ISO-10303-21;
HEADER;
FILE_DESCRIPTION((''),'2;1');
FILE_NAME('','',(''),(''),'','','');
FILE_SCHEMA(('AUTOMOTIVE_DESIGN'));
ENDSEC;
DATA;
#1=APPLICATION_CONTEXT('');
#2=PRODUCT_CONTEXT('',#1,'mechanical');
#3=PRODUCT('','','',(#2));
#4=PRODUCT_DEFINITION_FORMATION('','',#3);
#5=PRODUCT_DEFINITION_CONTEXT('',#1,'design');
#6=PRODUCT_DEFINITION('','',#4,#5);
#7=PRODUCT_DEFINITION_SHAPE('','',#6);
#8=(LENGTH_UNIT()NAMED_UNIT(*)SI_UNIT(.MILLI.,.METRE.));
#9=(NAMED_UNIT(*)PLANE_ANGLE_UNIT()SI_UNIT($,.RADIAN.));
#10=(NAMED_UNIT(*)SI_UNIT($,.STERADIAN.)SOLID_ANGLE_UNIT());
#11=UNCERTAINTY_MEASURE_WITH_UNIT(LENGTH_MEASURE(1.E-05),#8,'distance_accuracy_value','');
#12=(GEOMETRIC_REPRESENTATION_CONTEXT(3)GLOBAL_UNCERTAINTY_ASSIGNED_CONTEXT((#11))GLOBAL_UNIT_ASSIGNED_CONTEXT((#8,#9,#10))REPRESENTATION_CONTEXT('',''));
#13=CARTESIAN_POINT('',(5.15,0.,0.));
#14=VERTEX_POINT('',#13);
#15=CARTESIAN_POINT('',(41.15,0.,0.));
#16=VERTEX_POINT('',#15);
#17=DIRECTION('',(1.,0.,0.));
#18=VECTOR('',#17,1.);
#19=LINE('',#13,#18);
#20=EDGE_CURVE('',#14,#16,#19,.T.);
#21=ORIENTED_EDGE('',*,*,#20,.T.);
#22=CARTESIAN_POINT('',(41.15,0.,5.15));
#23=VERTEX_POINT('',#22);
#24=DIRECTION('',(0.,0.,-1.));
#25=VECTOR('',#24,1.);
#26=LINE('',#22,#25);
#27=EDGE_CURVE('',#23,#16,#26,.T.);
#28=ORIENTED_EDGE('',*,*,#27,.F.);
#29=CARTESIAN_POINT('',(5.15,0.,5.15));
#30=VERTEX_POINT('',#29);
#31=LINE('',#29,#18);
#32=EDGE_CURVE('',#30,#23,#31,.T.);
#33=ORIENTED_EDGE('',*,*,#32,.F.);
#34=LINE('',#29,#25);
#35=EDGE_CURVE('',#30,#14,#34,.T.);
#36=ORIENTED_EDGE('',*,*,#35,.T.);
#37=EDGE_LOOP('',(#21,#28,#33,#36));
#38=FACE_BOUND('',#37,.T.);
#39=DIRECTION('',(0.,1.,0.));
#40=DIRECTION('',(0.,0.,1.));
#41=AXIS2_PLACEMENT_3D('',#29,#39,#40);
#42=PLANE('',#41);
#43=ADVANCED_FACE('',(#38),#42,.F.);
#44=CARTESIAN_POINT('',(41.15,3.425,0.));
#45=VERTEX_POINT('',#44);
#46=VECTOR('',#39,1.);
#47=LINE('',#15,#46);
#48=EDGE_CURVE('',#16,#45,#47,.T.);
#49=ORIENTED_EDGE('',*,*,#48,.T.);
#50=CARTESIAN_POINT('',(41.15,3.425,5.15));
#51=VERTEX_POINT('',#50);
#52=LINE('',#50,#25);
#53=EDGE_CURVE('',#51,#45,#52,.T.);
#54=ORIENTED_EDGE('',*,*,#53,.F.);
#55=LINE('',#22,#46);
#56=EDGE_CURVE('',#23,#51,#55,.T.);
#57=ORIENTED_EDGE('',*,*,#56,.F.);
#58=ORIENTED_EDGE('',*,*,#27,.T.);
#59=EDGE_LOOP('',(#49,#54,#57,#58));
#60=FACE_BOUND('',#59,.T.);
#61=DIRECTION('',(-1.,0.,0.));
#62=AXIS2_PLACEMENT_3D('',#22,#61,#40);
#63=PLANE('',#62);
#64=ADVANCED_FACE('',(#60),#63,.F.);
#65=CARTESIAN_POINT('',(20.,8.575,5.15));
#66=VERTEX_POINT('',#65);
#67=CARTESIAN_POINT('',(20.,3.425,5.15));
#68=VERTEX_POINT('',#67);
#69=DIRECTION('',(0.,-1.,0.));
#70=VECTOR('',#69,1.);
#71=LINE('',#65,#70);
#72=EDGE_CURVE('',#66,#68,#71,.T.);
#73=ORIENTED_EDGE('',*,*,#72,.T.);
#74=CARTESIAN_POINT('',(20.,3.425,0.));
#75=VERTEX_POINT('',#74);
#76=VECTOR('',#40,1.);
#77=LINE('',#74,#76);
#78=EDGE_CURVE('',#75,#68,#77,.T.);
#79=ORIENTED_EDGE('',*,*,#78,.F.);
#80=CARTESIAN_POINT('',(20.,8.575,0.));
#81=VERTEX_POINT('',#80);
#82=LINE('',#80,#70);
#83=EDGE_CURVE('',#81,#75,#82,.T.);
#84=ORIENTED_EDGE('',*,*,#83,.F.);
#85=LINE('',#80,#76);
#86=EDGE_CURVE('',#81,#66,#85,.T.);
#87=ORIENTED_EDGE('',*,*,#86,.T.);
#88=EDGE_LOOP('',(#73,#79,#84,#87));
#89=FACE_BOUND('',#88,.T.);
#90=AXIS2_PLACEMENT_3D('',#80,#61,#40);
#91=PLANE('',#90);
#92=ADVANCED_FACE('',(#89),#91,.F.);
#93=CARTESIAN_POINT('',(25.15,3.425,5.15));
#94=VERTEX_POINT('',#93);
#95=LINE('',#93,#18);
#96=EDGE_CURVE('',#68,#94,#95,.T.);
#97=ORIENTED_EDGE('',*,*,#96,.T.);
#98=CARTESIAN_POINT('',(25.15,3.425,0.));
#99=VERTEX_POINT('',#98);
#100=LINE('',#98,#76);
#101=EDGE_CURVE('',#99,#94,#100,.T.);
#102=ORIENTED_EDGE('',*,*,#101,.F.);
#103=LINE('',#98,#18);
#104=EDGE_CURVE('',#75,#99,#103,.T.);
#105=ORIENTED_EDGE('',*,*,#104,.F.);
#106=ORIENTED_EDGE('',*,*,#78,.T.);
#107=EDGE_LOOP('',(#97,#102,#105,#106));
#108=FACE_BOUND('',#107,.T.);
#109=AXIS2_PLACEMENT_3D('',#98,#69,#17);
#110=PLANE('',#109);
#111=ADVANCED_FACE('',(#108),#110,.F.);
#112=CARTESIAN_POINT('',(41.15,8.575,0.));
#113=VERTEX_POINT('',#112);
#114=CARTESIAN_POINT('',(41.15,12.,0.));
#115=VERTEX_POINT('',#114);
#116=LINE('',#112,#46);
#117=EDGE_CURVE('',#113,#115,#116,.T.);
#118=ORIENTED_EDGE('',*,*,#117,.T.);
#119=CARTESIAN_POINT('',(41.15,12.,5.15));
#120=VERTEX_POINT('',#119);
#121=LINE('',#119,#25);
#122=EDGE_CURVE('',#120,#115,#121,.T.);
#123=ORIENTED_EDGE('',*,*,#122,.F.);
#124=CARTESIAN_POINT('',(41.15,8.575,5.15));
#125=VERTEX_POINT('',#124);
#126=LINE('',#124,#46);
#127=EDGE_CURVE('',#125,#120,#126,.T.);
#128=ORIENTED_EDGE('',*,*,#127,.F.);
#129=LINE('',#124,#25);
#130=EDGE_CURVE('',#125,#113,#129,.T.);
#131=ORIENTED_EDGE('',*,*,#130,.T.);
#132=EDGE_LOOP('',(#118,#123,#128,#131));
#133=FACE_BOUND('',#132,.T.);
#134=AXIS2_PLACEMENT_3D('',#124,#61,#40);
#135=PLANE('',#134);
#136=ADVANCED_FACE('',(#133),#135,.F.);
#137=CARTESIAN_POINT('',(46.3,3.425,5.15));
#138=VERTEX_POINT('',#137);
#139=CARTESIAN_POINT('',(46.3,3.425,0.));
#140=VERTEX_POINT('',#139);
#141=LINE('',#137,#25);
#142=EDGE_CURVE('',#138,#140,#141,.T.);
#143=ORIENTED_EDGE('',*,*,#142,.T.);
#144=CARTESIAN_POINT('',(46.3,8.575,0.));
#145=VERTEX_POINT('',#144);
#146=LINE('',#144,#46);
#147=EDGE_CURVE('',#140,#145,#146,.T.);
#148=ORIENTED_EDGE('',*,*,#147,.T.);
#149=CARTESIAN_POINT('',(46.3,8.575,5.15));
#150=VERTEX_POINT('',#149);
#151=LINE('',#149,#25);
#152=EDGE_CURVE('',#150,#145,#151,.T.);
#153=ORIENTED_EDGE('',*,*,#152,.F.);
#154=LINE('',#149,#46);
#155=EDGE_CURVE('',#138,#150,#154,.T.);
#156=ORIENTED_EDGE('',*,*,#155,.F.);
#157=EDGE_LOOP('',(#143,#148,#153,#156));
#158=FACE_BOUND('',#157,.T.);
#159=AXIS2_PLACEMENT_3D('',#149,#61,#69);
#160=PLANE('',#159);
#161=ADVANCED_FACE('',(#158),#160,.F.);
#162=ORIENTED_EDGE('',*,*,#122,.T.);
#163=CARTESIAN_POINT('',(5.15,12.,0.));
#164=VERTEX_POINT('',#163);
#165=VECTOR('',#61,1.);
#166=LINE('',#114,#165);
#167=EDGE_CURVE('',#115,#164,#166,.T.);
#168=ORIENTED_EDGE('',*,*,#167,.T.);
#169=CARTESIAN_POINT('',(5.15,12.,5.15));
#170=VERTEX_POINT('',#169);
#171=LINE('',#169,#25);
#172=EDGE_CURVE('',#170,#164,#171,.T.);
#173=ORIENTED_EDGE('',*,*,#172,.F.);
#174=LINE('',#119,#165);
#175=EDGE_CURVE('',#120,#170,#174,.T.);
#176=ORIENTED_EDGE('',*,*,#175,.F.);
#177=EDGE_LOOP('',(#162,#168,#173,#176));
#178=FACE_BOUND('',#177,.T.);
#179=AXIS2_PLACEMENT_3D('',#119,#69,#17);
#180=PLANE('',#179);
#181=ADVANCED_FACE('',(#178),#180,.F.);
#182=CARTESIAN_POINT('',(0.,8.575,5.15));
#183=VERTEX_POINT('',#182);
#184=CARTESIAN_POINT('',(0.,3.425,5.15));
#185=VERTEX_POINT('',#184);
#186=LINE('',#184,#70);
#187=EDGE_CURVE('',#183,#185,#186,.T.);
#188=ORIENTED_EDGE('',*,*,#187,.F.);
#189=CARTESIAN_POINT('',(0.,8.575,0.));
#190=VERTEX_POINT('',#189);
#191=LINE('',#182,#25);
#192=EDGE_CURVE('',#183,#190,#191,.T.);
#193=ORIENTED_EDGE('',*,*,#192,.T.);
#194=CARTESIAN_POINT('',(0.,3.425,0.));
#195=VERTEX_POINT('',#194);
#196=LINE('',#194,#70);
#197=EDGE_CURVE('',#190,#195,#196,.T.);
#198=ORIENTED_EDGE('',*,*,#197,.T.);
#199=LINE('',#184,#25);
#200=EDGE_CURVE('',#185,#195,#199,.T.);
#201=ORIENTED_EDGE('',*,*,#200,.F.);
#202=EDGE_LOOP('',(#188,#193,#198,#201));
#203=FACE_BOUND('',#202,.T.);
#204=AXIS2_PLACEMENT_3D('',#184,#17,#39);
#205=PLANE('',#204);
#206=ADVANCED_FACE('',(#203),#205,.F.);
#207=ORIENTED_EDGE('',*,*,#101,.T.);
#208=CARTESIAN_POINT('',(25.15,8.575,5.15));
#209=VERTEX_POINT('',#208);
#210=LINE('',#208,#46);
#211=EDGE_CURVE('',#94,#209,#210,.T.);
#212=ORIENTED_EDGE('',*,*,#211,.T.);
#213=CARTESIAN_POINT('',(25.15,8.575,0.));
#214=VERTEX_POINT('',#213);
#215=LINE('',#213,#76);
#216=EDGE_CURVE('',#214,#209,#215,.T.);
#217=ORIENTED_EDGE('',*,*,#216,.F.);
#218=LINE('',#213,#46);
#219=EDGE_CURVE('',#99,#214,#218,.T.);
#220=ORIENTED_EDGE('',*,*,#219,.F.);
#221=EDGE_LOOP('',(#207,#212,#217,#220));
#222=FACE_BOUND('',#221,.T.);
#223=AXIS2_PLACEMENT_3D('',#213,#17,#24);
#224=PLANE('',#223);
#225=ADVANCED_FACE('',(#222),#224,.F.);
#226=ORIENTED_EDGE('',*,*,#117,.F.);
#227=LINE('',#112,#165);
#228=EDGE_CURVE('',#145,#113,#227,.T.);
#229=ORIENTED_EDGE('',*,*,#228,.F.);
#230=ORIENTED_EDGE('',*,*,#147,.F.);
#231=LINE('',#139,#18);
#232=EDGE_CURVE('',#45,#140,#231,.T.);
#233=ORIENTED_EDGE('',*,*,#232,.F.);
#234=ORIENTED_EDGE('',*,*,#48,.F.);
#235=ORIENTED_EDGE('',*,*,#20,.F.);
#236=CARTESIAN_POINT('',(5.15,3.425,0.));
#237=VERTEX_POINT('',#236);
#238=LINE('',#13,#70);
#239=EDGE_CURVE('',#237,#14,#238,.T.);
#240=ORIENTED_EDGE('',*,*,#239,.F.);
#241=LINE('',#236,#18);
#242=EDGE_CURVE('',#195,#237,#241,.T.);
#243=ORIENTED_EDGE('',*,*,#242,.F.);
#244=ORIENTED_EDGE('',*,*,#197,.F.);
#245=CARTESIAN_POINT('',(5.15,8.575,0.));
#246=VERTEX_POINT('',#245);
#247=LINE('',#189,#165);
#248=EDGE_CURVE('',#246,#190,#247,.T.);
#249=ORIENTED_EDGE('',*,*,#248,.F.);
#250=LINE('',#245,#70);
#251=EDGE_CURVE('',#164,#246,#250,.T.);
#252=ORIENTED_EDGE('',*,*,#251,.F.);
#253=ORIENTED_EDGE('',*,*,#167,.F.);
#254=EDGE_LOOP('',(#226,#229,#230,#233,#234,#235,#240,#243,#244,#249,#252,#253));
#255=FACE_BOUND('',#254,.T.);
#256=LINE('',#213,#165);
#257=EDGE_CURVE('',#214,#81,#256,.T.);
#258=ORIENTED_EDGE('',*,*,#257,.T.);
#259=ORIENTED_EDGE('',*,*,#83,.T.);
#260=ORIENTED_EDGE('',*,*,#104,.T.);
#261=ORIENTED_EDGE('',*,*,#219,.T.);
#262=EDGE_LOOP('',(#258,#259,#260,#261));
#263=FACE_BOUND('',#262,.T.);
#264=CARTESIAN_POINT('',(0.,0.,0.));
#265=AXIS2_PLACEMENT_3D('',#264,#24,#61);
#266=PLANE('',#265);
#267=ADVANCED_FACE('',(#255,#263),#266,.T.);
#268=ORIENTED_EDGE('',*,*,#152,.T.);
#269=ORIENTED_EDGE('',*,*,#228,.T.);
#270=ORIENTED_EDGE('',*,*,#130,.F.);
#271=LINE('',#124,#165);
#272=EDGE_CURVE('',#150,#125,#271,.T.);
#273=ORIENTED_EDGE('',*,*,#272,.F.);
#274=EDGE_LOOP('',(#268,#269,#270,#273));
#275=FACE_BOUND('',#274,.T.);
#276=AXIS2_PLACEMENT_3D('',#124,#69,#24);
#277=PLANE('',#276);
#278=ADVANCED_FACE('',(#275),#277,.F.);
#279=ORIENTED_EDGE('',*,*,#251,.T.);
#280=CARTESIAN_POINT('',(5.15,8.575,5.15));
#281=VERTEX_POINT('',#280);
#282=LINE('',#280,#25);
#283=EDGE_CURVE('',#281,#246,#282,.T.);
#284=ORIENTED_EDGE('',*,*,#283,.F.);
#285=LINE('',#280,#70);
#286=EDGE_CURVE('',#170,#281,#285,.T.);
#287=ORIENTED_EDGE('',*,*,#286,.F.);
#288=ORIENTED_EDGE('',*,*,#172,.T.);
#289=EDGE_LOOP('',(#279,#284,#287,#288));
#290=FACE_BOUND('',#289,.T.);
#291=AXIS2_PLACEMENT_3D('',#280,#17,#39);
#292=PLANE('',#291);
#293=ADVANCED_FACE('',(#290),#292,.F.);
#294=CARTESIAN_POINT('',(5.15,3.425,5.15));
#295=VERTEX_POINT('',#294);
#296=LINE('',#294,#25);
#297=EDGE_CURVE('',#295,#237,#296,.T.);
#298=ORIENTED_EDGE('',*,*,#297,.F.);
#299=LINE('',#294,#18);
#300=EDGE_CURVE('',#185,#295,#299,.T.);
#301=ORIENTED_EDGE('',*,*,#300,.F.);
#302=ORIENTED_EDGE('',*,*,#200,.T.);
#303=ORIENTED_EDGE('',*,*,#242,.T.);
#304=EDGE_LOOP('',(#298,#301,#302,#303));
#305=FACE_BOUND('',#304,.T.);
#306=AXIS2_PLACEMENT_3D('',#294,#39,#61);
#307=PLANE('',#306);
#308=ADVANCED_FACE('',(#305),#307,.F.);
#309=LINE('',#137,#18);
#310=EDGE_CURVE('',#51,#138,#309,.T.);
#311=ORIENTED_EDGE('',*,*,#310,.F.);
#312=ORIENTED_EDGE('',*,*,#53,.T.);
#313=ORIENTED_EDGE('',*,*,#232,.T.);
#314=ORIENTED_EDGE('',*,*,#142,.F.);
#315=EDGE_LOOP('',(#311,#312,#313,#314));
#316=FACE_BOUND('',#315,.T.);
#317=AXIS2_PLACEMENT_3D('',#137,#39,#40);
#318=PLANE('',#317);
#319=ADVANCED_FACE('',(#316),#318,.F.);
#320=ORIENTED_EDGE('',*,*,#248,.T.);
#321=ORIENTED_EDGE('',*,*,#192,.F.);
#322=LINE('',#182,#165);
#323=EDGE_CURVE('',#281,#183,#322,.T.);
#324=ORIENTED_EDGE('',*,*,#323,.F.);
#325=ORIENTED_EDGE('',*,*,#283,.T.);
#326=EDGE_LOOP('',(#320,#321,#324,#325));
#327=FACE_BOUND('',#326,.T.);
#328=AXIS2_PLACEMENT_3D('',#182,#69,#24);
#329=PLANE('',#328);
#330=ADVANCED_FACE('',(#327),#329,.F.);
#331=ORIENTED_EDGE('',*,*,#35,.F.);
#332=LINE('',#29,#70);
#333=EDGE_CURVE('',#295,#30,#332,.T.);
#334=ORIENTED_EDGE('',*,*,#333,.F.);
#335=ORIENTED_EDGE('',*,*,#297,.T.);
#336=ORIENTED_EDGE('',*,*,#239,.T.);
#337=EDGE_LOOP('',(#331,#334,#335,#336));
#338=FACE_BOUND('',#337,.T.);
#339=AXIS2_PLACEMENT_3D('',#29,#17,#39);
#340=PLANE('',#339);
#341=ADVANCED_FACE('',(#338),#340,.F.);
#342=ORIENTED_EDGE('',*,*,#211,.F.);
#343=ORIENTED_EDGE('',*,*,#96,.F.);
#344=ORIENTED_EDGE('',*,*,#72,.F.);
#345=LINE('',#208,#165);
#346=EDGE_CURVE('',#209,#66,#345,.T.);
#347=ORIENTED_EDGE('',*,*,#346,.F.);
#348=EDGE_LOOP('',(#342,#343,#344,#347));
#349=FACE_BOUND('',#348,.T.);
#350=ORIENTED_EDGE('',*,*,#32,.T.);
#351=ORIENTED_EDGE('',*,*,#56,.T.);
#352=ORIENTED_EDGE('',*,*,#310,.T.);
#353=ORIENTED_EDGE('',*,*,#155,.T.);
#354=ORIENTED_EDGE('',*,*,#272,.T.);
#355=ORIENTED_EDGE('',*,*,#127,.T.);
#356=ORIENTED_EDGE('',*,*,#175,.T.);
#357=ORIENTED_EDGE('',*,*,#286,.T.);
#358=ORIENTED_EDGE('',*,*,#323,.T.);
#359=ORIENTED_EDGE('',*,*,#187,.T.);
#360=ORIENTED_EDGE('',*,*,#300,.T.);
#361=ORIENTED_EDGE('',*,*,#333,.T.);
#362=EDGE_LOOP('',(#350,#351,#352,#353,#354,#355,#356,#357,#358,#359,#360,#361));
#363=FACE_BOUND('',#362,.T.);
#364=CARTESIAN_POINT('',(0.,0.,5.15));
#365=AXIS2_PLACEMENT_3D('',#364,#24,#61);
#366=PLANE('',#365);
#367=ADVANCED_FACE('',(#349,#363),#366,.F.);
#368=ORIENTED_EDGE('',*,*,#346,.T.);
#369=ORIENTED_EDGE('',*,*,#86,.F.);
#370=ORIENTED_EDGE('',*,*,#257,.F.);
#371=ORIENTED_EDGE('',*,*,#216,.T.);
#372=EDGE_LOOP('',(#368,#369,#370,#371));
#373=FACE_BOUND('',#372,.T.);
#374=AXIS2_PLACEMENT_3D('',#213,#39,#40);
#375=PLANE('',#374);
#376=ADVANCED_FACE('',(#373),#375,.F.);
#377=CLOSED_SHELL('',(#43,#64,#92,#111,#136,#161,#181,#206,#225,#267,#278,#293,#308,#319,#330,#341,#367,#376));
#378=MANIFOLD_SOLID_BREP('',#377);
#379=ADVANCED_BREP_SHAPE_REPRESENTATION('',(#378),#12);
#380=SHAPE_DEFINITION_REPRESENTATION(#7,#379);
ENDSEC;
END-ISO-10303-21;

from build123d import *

# Parameters (mm, degrees)
BOSS_EXTRUDE1_DEPTH = 5.15
SKETCH3_W           = 5.15
SKETCH3_H           = 5.15
CUT_EXTRUDE1_DEPTH  = 6.15


with BuildPart() as part:
    # Sketch2 → Boss-Extrude1 (new body)
    with BuildSketch(Plane.XY):
        Polygon((0, 3.425), (0, 8.575), (5.15, 8.575), (5.15, 12), (41.15, 12), (41.15, 8.575), (46.3, 8.575), (46.3, 3.425), (41.15, 3.425), (41.15, 0), (5.15, 0), (5.15, 3.425), align=None)
    extrude(amount=BOSS_EXTRUDE1_DEPTH)

    # Sketch3 → Cut-Extrude1 (cut, through all)
    with BuildSketch(Plane.XY.offset(5.15)):
        with Locations((22.575, 6)):
            Rectangle(SKETCH3_W, SKETCH3_H)
    extrude(amount=-CUT_EXTRUDE1_DEPTH, mode=Mode.SUBTRACT)


solid = part.part
